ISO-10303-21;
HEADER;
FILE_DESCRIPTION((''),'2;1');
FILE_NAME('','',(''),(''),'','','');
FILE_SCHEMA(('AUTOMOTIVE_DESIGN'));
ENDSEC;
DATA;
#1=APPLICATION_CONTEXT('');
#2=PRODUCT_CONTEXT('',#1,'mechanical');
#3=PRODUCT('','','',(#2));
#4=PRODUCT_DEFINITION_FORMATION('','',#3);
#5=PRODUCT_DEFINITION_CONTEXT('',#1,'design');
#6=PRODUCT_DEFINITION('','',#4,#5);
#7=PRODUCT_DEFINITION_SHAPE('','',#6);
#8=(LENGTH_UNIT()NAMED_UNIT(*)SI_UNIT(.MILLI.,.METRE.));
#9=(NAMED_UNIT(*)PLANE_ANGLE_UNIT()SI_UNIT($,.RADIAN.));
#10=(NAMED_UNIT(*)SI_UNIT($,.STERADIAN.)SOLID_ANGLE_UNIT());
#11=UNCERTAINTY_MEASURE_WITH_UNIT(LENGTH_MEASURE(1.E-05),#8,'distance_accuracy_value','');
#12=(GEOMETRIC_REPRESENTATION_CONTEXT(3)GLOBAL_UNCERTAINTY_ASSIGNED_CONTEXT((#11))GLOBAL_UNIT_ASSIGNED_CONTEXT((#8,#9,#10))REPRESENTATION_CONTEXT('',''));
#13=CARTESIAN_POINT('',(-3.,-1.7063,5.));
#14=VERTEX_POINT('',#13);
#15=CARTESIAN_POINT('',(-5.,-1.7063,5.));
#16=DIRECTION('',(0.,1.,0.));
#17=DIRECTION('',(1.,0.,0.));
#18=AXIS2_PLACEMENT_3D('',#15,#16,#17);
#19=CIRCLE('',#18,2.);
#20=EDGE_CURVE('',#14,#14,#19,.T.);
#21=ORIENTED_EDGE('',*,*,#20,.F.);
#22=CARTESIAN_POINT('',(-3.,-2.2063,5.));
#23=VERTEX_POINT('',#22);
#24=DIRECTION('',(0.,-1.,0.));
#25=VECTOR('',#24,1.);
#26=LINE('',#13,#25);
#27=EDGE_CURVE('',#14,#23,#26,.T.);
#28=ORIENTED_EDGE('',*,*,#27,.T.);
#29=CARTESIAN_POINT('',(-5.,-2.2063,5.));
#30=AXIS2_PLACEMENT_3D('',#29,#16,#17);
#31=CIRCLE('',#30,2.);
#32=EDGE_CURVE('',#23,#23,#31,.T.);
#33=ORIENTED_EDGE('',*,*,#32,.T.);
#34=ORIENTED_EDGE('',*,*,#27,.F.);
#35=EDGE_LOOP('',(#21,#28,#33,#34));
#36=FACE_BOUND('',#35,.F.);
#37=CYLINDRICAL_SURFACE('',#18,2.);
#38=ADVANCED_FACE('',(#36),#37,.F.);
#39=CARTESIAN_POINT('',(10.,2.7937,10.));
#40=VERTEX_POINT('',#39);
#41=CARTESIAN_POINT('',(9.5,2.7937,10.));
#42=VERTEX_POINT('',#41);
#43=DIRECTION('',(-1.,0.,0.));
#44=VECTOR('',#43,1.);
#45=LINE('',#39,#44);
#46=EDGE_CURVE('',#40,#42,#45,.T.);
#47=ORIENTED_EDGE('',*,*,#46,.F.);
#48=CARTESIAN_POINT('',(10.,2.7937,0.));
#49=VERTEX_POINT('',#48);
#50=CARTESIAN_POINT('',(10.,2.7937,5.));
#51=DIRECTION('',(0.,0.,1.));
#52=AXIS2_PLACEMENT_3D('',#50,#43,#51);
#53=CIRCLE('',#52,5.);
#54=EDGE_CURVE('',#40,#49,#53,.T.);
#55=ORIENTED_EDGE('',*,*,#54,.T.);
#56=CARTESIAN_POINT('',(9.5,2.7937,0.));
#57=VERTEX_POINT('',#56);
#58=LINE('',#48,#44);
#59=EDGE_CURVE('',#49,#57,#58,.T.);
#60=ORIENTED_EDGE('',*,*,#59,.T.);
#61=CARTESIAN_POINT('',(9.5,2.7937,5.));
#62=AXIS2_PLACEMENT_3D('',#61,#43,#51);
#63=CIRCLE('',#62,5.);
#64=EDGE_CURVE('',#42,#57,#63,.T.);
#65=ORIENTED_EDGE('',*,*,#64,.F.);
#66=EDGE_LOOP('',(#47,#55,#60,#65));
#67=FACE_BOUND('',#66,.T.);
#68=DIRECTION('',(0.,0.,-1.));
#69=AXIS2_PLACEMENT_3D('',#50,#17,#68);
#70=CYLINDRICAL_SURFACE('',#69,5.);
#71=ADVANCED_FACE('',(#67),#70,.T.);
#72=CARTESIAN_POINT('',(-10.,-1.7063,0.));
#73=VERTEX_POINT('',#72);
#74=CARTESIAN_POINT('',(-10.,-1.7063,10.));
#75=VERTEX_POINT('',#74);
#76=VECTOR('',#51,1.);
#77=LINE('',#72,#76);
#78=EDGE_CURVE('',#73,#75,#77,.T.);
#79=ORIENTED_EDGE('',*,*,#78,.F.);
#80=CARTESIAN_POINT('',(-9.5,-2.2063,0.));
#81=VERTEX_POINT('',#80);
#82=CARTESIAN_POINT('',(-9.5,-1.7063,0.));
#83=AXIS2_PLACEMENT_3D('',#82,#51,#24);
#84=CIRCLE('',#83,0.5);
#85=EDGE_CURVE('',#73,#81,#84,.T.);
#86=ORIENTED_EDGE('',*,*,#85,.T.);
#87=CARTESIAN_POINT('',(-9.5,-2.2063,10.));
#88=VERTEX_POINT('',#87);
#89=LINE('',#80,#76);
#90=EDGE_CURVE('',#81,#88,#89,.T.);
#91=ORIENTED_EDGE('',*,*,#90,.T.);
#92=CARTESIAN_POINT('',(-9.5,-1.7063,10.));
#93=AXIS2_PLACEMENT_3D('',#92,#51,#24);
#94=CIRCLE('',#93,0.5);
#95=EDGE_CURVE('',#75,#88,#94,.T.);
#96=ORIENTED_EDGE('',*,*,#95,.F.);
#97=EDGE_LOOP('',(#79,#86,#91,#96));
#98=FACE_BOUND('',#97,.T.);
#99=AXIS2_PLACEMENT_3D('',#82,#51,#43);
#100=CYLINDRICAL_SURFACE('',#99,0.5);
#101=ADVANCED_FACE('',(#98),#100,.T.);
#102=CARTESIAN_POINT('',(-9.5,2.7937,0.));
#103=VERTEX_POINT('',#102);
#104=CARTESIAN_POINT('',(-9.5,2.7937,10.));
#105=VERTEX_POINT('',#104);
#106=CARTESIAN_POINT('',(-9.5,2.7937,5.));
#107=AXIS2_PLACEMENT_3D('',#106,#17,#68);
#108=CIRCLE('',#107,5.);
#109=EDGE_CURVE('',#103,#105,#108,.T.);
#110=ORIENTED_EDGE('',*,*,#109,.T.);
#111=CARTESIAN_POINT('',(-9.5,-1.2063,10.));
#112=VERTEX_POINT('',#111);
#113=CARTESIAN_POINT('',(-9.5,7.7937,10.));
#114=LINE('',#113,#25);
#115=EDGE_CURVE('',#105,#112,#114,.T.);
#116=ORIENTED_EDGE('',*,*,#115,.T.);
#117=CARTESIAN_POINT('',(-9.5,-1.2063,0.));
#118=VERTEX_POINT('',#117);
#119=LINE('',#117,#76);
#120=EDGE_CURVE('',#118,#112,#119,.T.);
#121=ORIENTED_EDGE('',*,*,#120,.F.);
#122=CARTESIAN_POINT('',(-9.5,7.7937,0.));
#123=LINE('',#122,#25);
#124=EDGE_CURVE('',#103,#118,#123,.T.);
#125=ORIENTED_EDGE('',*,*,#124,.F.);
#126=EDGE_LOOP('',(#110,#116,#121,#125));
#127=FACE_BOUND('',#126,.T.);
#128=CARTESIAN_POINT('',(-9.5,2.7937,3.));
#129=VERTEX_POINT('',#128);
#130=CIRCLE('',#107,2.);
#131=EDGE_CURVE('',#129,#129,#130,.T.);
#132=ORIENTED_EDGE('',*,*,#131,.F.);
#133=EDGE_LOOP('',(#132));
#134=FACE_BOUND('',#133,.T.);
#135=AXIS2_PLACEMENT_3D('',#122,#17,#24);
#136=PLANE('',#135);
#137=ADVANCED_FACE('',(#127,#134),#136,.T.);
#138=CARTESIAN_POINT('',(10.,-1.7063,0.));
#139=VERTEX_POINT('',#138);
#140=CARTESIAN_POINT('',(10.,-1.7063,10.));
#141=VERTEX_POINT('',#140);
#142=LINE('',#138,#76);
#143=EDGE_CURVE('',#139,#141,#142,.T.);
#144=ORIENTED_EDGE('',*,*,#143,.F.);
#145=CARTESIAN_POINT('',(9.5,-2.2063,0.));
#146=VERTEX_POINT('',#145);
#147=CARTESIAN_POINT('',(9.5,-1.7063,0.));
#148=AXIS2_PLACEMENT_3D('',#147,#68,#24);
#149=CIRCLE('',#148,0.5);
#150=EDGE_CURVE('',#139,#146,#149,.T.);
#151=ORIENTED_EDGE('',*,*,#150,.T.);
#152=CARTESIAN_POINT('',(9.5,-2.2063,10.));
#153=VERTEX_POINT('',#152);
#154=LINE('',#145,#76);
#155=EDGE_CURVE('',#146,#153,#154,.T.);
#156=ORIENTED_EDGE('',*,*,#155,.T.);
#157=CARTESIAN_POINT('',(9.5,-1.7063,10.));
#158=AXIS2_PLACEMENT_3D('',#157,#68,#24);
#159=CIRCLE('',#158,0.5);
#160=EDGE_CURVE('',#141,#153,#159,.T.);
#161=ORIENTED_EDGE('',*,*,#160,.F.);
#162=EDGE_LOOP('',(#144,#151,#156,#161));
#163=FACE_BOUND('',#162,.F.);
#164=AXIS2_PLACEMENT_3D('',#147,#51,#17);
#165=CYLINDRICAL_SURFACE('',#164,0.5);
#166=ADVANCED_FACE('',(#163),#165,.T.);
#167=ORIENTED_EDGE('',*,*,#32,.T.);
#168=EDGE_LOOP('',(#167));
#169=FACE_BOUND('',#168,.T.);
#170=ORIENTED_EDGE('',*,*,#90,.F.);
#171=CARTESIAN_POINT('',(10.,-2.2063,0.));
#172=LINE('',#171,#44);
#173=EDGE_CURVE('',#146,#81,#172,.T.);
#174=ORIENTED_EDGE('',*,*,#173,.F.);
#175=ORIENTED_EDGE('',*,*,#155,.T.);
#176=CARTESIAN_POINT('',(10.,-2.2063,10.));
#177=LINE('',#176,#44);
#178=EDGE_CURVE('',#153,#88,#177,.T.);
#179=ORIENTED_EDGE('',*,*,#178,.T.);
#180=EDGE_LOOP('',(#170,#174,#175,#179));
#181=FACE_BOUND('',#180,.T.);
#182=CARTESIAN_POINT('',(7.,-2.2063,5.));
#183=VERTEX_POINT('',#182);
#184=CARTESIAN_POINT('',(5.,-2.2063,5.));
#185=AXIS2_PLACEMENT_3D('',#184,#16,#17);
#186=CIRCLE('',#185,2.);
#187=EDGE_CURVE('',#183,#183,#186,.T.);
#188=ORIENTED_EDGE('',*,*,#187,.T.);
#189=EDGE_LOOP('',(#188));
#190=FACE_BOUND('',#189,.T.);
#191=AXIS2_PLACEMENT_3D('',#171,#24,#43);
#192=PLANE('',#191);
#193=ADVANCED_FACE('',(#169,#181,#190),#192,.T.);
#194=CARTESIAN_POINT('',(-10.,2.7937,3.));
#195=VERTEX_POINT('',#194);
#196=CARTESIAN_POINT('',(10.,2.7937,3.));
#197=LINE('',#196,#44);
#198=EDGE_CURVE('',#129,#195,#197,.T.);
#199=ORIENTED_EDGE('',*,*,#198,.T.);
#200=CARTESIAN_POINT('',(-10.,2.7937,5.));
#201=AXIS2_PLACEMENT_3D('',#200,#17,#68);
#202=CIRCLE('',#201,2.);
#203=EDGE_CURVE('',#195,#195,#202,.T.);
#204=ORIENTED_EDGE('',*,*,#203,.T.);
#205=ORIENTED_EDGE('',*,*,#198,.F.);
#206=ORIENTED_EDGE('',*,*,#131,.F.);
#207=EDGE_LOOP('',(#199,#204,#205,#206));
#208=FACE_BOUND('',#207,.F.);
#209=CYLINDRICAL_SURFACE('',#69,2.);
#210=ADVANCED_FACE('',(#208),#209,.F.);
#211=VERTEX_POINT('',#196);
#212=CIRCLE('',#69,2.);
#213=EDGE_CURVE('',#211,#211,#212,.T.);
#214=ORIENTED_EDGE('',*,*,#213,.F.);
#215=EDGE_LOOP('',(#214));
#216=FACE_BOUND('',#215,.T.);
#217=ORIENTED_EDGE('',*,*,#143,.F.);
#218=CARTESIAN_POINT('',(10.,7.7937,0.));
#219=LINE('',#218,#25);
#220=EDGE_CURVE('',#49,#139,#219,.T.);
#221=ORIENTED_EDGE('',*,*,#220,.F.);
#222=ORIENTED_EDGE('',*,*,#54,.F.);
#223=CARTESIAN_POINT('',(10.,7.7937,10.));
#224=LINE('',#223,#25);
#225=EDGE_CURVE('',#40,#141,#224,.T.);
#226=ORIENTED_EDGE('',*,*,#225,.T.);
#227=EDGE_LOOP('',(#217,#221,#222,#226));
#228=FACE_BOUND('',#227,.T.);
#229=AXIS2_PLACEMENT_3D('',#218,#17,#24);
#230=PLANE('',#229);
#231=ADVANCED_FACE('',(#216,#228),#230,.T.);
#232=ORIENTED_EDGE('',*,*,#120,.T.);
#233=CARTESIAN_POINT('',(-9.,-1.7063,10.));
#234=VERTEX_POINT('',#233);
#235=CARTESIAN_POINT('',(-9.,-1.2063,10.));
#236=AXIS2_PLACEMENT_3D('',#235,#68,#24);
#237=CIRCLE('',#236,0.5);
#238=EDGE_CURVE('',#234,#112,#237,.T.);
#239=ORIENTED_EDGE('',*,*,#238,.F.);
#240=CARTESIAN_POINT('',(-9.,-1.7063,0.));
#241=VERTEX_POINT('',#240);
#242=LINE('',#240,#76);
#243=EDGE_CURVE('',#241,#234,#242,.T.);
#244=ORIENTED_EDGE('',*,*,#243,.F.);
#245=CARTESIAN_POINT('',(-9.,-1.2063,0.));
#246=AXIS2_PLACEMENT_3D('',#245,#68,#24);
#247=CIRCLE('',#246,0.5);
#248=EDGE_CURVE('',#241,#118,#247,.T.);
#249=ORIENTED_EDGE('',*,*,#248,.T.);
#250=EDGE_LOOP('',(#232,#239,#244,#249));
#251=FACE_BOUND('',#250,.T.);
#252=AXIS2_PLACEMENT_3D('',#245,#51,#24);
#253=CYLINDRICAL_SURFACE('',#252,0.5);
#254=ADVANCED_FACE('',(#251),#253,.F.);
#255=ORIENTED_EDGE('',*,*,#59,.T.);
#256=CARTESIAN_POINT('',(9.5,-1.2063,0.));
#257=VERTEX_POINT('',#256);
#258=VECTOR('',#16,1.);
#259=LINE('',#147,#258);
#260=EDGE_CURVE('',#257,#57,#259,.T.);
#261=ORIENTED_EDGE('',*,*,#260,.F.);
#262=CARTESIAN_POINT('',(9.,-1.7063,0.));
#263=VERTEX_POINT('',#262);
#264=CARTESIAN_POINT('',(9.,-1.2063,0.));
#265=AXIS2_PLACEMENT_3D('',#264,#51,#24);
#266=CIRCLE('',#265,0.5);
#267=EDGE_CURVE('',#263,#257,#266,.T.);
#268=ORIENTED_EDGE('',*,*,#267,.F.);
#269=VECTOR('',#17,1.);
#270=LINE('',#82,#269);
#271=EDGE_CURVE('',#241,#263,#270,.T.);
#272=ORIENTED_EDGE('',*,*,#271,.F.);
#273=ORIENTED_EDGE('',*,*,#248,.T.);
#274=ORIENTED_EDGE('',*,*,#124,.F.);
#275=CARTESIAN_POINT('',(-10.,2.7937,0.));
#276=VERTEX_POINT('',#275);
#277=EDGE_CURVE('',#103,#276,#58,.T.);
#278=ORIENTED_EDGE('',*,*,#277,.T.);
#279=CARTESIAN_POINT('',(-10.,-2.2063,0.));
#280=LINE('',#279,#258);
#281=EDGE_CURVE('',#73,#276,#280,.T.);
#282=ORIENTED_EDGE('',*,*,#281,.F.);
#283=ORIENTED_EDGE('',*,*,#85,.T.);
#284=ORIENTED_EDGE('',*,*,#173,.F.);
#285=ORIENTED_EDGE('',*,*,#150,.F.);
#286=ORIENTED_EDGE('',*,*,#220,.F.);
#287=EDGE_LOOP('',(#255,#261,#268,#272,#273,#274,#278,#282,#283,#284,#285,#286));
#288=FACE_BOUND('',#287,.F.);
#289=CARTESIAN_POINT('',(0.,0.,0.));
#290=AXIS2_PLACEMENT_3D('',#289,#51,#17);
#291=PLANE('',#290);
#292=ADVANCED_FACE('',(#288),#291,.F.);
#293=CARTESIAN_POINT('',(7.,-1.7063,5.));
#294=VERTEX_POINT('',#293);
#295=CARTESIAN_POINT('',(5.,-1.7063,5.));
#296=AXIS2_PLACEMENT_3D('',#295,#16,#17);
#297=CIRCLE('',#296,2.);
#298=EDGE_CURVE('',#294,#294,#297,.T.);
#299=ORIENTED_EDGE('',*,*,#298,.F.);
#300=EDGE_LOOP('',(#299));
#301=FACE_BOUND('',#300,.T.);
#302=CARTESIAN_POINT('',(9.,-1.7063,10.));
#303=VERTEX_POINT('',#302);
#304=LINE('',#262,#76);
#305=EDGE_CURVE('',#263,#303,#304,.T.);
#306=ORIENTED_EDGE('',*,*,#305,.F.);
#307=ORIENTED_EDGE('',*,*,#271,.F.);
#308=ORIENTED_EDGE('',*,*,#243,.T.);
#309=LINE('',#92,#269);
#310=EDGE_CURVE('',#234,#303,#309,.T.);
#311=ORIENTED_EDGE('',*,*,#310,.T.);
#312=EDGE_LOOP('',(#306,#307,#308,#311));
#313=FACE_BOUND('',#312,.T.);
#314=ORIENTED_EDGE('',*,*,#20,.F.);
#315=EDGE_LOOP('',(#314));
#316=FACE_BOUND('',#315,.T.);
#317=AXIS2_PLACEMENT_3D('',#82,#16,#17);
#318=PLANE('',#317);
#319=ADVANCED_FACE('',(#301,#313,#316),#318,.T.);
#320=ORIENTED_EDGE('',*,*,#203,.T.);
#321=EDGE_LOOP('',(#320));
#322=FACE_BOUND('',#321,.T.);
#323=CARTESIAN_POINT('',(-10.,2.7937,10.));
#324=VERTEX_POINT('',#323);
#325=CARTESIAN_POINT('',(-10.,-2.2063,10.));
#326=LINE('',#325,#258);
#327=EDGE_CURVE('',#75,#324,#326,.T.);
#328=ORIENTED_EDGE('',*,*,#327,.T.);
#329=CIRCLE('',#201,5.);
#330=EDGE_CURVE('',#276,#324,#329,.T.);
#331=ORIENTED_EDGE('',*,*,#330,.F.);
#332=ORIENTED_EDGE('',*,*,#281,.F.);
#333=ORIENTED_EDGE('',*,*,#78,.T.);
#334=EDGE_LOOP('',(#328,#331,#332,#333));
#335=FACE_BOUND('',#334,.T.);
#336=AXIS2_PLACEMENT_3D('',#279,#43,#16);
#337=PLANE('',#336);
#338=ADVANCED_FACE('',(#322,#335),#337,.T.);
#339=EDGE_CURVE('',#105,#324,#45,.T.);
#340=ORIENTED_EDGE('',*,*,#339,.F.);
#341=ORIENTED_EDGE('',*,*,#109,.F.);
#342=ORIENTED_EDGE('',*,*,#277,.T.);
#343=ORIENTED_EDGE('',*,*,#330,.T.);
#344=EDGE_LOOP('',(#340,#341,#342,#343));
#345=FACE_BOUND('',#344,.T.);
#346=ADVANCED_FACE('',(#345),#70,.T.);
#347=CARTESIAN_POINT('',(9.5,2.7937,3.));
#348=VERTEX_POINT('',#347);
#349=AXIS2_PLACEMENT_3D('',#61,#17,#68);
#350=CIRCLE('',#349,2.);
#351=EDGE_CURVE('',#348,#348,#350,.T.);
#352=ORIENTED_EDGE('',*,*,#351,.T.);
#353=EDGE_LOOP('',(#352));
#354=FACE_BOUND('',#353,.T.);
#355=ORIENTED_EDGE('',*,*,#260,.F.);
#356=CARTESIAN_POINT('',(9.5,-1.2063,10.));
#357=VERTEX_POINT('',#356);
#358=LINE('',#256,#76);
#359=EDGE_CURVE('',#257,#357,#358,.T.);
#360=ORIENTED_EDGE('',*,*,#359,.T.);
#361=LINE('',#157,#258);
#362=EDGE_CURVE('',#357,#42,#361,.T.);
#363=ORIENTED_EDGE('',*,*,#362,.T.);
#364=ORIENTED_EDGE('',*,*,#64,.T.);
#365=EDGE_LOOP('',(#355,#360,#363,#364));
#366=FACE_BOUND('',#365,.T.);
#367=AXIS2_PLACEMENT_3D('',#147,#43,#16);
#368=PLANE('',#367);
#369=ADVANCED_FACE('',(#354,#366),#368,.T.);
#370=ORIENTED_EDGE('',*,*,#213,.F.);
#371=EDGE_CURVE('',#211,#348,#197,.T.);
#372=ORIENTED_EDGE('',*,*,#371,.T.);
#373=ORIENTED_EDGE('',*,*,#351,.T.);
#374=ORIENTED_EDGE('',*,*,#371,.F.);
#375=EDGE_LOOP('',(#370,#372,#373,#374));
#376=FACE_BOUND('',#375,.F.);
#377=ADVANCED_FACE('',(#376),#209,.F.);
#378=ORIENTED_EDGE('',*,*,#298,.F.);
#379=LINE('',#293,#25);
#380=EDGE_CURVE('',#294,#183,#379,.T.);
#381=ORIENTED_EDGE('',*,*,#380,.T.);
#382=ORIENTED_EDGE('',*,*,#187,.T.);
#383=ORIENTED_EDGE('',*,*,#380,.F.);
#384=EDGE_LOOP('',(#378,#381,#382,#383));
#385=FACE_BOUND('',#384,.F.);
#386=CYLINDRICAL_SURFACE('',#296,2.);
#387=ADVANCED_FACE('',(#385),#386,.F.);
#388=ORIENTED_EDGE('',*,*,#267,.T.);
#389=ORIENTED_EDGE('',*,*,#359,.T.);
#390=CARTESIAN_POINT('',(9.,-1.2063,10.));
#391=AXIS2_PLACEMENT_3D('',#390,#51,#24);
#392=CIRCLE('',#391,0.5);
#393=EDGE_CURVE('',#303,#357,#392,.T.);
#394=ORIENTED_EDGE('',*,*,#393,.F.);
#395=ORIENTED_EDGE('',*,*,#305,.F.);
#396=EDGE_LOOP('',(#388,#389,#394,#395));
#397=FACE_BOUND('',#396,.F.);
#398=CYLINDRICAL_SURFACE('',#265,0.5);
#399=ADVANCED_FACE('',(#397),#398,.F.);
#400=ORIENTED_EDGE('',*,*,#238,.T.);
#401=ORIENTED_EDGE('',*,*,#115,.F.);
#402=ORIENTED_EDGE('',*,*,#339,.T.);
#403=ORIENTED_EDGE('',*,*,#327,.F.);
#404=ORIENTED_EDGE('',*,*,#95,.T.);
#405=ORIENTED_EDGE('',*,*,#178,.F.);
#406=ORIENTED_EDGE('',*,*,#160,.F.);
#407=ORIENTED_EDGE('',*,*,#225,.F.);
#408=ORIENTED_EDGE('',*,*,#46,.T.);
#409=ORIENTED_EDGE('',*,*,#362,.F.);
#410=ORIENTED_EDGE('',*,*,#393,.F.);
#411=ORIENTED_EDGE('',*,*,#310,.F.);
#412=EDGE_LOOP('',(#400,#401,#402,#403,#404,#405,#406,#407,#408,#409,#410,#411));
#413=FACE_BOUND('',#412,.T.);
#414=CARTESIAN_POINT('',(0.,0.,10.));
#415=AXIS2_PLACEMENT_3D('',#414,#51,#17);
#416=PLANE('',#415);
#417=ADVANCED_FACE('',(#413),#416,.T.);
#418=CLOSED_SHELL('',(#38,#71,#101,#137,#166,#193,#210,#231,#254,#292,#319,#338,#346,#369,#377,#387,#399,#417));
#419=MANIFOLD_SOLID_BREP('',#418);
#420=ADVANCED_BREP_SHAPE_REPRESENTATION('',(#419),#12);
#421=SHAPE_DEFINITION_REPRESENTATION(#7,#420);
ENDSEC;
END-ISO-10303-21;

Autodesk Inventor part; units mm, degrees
ref_plane "YZ Plane" through (0, 0, 0) normal (1, 0, 0) x (0, 1, 0)
ref_plane "XZ Plane" through (0, 0, 0) normal (0, 1, 0) x (-1, 0, 0)
ref_plane "XY Plane" through (0, 0, 0) normal (0, 0, 1) x (1, 0, 0)
sketch "Náčrt1" plane through (0, 0, 0) normal (0, 0, 1) x (1, 0, 0)
  line L0 (-9.5, 7.7937) -> (-9.5, -1.7063)
  line L1 (-9.5, -1.7063) -> (9.5, -1.7063)
  line L2 (9.5, -1.7063) -> (9.5, 7.7937)
  line L3 (9.5, 7.7937) -> (10, 7.7937)
  line L4 (10, 7.7937) -> (10, -2.2063)
  line L5 (10, -2.2063) -> (-10, -2.2063)
  line L6 (-10, -2.2063) -> (-10, 7.7937)
  line L7 (-10, 7.7937) -> (-9.5, 7.7937)
  point P0 (0, 0)
  point P1 (9.5, 3.0437)
  point P2 (-9.75, 7.7937)
  point P3 (9.75, 7.7937)
  dimension "d0" = 10
  dimension "d1" = 10
  dimension "d2" = 0.5
  dimension "d3" = 0.5
  dimension "d4" = 0.5
  dimension "d5" = 10
  dimension "d6" = 10
extrude "Vysunutí1" add sketch "Náčrt1" along normal blind 10
sketch "Náčrt2" plane through (10, -2.2063, 0) normal (1, 0, 0) x (0, 0, -1)
  circle A0 centre (-5, 5) radius 2
  line L0 (0, 0) -> (0, 10) projected
  point P0 (0, 2.2063)
  point P1 (0, 5)
  dimension "d9" = 4
  dimension "d10" = 5
extrude "Vysunutí2" cut sketch "Náčrt2" against normal through all
pattern_linear "Obdélníkové pole1" count 10 spacing 10 along (0, 0, 1) of "Vysunutí2"
sketch "Náčrt3" plane through (-9.5, -1.7063, 0) normal (0, 1, 0) x (1, 0, 0)
  circle A0 centre (4.5, -5) radius 2
  line L0 (19, -10) -> (0, -10) projected
  line L1 (-0.5, 0) -> (-0.5, -10) projected
  point P0 (9.5, 0)
  dimension "d16" = 4
  dimension "d17" = 5
  dimension "d18" = 5
extrude "Vysunutí3" cut sketch "Náčrt3" against normal through all
pattern_linear "Obdélníkové pole2" count 10 spacing 10 along (0, 0, -1) count 5 spacing 10 along (1, 0, 0) of "Vysunutí3"
sketch "Náčrt4" plane through (10, -2.2063, 0) normal (1, 0, 0) x (0, 0, -1)
  arc A0 (0, 5) -> (-10, 5) centre (-5, 5) ccw
  line L0 (0, 0) -> (0, 10) projected
  line L1 (0, 0) -> (-10, 0) projected
  line L2 (0, 10) -> (-10, 10) projected
  line L3 (-10, 10) -> (0, 10)
  line L4 (0, 10) -> (0, 5)
  line L5 (0, 10) -> (0, 0.5) projected
  line L6 (-10, 10) -> (-10, 0.5) projected
  line L7 (-10, 5) -> (-10, 10)
  point P0 (0, 2.2063)
  point P1 (-5, 10)
  dimension "d27" = 10
  dimension "d28" = 5
  dimension "d29" = 5
extrude "Vysunutí4" cut sketch "Náčrt4" against normal through all
fillet "Zaoblení1" radius 0.5 2 edges at (10, -2.2063, 5) (9.5, -1.7063, 5)
fillet "Zaoblení2" radius 0.5 2 edges at (-10, -2.2063, 5) (-9.5, -1.7063, 5)
properties part number "4031"
